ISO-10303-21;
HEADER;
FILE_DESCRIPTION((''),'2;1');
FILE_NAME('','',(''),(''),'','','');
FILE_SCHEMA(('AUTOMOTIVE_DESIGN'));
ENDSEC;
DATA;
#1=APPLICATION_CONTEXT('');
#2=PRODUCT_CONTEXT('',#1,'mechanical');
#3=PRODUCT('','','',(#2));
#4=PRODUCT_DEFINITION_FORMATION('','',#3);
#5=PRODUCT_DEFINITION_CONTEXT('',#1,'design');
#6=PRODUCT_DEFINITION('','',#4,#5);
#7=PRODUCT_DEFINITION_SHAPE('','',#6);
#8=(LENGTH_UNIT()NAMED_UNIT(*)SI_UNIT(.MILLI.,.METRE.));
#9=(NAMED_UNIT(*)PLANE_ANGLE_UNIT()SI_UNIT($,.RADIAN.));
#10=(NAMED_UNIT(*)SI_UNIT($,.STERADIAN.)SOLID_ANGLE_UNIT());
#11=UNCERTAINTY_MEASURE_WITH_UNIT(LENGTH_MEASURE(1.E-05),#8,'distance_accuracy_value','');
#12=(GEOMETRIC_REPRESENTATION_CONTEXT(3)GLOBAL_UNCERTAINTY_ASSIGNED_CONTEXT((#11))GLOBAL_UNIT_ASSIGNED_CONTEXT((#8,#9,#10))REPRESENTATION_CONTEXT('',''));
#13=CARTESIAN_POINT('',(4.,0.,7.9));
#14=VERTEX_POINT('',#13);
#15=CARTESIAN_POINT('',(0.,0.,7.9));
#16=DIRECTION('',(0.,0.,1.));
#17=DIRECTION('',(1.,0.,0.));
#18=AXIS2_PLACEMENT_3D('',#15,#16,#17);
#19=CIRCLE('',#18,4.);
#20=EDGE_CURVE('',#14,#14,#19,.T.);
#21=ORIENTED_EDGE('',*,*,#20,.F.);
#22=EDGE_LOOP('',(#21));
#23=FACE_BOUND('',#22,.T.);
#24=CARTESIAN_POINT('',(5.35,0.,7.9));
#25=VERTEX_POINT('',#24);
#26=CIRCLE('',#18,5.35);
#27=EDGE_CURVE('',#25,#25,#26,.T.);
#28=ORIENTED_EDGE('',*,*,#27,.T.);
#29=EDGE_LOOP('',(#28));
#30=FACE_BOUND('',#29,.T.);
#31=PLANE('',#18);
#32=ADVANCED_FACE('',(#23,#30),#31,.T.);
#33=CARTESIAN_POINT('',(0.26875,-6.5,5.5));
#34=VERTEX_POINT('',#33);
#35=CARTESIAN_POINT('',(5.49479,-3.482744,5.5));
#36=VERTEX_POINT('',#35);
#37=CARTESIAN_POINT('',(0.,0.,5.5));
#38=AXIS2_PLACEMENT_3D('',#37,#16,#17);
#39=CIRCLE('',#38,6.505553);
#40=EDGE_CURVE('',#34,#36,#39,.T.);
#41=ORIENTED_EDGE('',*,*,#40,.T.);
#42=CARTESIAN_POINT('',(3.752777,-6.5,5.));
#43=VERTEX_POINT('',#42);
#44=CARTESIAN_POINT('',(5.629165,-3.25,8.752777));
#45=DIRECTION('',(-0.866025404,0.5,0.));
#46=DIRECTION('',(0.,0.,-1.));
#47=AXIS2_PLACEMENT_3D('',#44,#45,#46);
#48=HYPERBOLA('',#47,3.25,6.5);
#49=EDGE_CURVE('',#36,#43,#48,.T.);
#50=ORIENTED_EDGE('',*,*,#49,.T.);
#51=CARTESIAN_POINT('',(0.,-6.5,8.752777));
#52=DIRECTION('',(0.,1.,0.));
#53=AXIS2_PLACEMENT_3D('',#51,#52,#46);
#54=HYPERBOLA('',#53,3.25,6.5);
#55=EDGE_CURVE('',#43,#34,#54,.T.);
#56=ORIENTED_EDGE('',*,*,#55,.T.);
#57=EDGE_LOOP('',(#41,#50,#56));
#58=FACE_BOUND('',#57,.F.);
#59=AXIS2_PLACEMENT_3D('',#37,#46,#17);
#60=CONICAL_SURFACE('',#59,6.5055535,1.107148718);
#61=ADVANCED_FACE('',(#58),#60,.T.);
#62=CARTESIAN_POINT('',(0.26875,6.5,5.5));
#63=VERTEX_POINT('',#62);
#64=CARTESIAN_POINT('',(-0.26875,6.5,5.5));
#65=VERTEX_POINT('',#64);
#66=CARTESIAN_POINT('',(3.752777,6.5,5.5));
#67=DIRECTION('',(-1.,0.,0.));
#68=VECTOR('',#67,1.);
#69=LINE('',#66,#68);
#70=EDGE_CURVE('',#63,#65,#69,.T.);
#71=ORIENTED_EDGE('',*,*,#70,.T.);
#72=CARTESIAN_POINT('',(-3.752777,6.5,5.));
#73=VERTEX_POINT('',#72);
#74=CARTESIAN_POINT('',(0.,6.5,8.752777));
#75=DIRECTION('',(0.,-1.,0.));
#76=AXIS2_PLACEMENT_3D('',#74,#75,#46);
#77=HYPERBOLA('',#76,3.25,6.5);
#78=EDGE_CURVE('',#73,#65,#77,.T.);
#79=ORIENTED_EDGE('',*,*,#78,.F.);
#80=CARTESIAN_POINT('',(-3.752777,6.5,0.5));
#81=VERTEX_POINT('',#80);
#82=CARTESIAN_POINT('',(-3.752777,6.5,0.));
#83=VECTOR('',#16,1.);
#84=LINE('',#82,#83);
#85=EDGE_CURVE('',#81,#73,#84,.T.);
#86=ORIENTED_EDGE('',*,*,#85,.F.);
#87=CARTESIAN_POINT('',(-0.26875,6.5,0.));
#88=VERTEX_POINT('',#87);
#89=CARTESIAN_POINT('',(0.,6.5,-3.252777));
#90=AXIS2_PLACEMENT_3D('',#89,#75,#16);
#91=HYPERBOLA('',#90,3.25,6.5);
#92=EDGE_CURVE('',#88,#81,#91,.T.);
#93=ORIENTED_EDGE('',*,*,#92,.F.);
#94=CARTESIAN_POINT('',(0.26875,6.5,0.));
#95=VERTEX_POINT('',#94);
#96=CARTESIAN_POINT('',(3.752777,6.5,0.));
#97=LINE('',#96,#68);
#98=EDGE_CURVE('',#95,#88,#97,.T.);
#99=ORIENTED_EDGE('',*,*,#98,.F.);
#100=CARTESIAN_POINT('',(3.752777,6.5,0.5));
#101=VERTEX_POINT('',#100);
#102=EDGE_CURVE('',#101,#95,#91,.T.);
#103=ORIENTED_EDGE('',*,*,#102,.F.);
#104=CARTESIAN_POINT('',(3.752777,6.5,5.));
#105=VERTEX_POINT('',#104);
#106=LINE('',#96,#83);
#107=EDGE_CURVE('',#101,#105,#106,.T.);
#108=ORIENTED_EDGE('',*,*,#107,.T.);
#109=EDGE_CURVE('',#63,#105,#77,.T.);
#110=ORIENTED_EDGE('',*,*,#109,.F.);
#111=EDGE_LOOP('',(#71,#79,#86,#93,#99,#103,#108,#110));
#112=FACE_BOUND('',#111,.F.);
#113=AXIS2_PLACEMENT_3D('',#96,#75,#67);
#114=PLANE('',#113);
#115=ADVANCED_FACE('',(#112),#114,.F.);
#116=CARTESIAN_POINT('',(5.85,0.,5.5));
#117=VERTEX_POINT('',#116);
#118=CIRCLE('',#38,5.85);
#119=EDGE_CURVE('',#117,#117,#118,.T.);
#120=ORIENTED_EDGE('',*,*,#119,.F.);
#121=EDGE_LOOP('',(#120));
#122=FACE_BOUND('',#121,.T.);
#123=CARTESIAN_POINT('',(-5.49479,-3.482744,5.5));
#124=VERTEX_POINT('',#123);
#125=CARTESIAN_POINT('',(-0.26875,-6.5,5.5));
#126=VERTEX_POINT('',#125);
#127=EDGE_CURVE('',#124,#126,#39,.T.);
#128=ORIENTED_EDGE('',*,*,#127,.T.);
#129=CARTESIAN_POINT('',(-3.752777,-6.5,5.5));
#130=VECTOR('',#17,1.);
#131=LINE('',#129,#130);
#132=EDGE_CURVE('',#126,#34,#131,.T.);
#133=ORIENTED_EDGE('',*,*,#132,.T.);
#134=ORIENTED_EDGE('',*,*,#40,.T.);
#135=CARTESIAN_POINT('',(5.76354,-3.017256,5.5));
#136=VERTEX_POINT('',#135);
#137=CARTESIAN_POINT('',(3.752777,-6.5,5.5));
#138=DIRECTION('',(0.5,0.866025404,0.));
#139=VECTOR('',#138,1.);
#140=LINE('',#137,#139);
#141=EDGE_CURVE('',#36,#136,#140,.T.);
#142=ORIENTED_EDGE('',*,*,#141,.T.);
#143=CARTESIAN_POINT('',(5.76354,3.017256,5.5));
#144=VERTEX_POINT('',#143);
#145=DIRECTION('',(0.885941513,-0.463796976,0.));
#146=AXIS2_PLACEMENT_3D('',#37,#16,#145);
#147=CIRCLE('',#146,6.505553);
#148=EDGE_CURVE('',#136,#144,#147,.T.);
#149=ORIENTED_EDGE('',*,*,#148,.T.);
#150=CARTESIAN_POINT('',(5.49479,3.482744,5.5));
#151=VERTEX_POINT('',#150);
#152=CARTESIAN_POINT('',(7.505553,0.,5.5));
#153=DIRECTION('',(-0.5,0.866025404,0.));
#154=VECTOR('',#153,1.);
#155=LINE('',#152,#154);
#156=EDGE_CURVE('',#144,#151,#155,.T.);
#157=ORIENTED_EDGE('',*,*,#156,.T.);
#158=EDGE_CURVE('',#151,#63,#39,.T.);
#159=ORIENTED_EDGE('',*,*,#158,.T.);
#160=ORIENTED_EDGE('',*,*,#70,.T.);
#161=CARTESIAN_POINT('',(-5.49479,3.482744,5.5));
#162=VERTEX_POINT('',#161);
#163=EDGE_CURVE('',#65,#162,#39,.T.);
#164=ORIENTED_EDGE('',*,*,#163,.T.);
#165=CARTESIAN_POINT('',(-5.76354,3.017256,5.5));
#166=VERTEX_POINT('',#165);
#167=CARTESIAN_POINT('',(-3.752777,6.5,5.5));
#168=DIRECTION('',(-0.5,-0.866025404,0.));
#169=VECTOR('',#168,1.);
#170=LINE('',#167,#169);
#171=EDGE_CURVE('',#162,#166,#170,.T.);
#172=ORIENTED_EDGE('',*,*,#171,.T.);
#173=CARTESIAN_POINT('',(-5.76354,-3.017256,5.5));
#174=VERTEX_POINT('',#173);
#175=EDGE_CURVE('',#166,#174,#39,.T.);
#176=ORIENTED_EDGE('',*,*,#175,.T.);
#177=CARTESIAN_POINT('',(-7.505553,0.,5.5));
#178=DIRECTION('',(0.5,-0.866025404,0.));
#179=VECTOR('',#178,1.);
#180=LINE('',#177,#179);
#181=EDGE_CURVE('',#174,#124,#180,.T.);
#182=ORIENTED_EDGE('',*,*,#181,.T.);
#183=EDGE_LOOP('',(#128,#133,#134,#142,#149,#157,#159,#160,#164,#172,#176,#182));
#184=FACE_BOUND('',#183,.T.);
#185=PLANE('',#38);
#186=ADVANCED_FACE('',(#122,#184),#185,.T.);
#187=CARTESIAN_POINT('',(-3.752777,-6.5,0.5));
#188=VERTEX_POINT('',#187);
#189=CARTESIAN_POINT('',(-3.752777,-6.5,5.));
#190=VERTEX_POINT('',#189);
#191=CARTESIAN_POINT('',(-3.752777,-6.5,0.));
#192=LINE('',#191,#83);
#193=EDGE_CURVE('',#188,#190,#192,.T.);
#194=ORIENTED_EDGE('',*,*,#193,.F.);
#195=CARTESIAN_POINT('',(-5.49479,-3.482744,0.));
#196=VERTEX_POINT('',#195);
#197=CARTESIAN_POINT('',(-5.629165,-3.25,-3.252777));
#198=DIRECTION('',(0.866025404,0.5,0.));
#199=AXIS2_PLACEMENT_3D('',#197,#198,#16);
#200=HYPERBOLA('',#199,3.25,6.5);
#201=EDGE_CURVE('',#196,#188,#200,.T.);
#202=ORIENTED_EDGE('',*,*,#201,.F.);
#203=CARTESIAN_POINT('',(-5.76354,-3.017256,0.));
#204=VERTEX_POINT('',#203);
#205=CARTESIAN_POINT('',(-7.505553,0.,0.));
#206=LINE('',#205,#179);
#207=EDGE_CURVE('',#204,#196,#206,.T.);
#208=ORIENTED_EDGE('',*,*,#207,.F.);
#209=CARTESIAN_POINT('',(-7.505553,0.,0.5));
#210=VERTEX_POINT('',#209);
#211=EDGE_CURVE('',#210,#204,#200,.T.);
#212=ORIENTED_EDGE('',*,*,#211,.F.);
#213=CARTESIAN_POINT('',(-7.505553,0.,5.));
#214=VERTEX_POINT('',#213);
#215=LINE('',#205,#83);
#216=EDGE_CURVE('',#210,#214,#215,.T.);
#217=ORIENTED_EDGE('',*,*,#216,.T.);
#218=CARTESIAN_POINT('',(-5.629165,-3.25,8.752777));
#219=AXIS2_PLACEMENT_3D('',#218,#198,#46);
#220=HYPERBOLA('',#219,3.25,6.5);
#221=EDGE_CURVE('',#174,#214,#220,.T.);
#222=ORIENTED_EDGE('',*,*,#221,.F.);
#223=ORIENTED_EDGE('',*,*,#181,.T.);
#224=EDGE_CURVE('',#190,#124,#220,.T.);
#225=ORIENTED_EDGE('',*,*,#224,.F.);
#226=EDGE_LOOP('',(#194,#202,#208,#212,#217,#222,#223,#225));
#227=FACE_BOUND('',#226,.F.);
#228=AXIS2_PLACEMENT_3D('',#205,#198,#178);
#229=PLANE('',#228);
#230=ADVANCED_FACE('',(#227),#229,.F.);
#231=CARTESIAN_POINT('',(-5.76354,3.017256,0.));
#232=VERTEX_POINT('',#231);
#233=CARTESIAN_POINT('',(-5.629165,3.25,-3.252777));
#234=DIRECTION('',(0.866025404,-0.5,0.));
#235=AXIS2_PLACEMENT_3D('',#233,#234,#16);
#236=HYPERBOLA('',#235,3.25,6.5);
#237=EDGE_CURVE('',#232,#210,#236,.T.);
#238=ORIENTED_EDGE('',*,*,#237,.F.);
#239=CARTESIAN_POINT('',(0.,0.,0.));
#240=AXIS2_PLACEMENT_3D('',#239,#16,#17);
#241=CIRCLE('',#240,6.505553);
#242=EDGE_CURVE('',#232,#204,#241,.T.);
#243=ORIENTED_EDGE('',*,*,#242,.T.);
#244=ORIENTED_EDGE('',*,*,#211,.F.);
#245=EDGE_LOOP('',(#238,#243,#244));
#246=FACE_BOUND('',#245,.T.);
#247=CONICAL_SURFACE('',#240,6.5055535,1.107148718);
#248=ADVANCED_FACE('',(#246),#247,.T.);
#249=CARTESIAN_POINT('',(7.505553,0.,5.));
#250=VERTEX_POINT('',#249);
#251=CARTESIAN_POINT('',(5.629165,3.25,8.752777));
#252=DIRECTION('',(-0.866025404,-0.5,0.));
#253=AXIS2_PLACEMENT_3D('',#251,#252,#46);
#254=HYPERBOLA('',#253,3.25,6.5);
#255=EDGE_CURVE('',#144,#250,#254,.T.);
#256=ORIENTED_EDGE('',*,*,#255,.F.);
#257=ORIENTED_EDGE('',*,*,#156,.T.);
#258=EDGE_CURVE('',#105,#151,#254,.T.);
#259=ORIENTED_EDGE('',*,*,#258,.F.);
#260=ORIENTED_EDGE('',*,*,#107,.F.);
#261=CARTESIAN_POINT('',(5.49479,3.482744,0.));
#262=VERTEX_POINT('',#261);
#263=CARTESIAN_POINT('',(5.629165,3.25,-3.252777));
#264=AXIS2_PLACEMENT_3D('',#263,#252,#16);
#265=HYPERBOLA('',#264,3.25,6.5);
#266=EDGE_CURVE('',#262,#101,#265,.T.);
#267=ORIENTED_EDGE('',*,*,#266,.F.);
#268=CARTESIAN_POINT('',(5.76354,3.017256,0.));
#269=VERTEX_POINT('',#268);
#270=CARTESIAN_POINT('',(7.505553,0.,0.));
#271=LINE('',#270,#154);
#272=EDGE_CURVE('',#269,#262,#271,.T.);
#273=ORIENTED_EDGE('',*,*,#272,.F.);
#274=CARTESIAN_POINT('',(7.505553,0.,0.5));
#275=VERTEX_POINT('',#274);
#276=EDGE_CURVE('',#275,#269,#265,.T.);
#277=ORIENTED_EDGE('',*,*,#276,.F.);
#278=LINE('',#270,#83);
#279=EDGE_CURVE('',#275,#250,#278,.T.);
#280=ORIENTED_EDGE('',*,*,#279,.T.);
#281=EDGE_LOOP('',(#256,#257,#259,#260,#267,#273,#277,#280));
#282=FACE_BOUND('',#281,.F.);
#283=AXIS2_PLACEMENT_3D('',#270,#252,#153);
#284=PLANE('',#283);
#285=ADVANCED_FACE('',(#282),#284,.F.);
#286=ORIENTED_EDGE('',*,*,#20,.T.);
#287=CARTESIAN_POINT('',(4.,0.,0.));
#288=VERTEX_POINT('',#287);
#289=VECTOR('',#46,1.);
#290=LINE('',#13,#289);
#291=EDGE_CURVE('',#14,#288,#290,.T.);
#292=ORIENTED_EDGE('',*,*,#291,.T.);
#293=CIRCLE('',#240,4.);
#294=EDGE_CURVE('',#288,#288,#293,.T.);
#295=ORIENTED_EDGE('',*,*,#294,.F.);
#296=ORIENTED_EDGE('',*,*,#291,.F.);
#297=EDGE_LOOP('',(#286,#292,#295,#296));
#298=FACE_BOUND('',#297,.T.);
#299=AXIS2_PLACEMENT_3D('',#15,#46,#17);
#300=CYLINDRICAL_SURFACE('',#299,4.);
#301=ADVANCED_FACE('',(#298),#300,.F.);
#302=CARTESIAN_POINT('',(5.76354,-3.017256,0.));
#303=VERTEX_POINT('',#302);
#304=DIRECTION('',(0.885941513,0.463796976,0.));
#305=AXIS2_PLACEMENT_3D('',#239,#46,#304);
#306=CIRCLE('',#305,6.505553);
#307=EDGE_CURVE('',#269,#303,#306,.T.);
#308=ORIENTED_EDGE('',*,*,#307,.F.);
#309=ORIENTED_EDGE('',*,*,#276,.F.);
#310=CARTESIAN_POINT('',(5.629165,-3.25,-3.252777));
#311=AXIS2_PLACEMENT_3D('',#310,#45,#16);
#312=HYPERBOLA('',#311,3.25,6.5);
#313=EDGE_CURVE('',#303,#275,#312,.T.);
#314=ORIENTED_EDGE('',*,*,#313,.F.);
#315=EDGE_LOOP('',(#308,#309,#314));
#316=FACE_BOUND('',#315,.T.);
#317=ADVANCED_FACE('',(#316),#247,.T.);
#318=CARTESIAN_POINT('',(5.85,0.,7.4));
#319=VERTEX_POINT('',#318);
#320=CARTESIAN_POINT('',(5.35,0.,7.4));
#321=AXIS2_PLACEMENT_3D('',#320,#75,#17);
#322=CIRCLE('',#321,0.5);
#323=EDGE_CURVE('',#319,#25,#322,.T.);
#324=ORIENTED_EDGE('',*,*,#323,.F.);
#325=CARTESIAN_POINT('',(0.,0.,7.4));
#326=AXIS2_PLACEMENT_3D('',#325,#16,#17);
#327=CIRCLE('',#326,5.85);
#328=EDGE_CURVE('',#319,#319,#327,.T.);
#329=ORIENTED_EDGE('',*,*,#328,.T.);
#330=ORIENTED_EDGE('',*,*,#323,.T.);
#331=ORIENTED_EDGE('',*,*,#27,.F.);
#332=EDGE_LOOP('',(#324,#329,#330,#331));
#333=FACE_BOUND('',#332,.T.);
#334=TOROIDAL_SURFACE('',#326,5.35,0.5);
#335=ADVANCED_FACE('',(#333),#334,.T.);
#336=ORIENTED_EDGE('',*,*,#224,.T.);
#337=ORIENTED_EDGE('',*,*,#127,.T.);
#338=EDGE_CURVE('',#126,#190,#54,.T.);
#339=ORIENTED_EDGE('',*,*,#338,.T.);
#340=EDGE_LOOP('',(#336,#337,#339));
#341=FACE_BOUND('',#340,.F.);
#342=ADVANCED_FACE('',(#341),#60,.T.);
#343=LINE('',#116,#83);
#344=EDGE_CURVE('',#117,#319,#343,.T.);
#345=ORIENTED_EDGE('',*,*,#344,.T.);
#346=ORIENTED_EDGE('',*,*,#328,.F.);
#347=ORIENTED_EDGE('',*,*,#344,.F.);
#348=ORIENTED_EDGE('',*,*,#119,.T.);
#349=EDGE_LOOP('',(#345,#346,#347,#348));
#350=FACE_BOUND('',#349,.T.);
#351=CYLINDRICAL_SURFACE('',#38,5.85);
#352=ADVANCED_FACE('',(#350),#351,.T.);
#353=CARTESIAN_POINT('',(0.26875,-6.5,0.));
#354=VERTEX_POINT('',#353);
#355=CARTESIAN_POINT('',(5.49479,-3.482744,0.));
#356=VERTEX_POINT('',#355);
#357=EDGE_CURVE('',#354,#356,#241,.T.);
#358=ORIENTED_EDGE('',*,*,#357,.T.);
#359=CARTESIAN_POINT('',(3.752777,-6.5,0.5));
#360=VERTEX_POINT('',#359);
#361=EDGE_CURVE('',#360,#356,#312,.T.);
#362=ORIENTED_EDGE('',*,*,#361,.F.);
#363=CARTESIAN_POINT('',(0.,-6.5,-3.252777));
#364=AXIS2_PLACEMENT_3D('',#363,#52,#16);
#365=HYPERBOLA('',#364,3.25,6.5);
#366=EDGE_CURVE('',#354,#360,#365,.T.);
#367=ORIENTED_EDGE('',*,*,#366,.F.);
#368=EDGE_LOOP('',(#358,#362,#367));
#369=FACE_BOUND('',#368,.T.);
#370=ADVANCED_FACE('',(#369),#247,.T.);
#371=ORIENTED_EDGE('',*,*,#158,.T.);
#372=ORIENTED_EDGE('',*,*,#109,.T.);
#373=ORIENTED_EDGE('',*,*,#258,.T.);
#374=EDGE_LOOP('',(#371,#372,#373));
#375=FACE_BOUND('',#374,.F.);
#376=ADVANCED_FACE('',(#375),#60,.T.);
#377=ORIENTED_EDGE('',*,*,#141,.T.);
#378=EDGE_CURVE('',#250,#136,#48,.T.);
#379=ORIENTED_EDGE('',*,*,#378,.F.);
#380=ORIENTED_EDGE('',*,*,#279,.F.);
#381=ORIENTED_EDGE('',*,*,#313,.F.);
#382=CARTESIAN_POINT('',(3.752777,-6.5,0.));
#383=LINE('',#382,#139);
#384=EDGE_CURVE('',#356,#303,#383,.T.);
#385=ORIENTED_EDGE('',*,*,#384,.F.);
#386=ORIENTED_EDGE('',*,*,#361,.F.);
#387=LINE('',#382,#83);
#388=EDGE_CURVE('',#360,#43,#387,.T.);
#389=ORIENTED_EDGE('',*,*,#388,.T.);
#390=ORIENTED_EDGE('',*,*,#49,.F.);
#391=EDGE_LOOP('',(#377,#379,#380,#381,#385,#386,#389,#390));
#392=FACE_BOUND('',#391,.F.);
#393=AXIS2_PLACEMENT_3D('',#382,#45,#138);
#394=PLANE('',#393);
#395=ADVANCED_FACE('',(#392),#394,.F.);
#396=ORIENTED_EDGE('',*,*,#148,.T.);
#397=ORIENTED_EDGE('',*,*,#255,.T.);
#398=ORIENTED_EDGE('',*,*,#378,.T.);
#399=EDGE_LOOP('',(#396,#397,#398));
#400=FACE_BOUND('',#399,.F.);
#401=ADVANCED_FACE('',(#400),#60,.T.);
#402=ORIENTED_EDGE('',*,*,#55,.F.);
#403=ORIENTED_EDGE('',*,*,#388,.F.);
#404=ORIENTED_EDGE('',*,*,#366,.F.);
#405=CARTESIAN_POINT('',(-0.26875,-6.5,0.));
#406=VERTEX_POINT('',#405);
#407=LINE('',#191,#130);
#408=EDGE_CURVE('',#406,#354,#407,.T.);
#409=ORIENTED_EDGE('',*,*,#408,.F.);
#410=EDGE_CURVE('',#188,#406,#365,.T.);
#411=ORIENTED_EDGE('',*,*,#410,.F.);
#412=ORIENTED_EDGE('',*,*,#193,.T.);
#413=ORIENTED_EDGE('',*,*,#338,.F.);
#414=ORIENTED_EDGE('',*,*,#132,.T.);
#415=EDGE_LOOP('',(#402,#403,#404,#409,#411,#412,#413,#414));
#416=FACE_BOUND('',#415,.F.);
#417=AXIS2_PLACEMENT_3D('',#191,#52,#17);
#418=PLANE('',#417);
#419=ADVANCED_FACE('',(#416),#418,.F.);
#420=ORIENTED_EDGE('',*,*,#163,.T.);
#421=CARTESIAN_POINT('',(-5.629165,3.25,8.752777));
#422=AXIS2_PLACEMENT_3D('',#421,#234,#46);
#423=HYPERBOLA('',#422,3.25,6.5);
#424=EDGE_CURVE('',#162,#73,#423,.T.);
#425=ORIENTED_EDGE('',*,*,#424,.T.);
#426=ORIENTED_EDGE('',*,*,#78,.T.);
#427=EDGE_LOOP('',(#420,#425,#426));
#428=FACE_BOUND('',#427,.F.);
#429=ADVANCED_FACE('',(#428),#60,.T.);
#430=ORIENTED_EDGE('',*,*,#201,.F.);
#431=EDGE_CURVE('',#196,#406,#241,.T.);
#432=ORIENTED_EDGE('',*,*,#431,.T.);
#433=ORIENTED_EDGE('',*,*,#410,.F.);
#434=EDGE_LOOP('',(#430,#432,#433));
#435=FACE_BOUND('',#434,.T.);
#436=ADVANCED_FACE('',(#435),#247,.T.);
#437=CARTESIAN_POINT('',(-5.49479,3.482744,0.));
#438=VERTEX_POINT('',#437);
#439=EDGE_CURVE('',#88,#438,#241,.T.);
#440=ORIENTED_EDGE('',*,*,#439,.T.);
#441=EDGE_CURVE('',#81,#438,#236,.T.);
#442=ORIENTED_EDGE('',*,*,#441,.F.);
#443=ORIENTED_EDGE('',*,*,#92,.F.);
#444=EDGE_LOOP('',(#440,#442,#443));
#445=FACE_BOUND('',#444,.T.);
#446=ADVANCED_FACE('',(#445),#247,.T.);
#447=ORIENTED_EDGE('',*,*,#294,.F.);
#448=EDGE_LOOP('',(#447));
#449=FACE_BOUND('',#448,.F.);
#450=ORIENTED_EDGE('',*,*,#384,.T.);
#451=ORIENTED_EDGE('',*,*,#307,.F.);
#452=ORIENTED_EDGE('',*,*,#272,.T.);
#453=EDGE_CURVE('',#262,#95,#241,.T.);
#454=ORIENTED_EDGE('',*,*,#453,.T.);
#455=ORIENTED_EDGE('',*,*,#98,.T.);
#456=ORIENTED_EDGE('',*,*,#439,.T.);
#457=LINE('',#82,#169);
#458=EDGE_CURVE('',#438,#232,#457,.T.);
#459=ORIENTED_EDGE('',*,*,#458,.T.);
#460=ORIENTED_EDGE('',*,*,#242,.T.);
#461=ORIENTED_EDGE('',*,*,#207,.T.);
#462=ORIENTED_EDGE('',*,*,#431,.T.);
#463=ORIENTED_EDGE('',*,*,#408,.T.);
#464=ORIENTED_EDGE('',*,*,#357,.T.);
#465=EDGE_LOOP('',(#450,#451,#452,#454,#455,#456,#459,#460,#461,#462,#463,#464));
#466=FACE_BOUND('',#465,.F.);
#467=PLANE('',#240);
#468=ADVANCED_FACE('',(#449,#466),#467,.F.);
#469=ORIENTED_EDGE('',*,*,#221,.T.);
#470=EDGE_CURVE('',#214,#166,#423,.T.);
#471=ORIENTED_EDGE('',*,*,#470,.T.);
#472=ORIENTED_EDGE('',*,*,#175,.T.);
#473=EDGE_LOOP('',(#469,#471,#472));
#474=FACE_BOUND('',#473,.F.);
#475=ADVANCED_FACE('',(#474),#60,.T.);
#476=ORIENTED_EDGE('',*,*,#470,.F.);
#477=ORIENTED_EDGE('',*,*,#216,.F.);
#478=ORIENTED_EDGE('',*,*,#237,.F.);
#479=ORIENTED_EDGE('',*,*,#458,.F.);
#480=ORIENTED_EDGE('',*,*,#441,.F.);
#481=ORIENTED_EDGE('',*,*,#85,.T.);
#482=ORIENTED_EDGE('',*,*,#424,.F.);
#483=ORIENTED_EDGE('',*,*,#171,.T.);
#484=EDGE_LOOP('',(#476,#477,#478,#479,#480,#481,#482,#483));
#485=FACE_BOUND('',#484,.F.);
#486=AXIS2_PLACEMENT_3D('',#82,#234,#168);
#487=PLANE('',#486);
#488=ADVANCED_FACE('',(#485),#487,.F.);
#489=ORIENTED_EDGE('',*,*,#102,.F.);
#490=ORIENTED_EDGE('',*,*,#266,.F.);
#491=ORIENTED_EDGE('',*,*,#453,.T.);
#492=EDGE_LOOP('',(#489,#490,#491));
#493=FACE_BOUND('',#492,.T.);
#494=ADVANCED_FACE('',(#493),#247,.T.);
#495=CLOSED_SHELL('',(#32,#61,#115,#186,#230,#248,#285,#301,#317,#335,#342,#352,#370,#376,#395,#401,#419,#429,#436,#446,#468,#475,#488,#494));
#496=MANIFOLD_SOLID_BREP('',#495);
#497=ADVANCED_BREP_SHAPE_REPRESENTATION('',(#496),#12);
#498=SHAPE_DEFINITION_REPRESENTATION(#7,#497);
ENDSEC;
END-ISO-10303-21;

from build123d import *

# Parameters (mm, degrees)
SKETCH024_R = 4
PAD_DEPTH   = 5.5


with BuildPart() as part:
    # Sketch024 → Pad (new body)
    with BuildSketch(Plane.XY):
        Polygon((7.5055534995, 0), (3.7527767497, 6.5), (-3.7527767497, 6.5), (-7.5055534995, 0), (-3.7527767497, -6.5), (3.7527767497, -6.5), align=None)
        Circle(SKETCH024_R, mode=Mode.SUBTRACT)
    extrude(amount=PAD_DEPTH)

    # Sketch025 → Revolution005 (revolve)
    with BuildSketch(Plane.XZ):
        with BuildLine():
            Line((4, 5.5), (5.85, 5.5))
            Line((5.85, 5.5), (5.85, 7.4))
            ThreePointArc((5.85, 7.4), (5.7035533906, 7.7535533906), (5.35, 7.9))
            Line((5.35, 7.9), (4, 7.9))
            Line((4, 7.9), (4, 5.5))
        make_face()
    revolve(axis=Axis((0, 0, 0), (0, 0, 1)))

    # Sketch026 → Groove (revolve, cut)
    with BuildSketch(Plane.XZ):
        Polygon((7.5055534995, 5.5), (6.5055534995, 5.5), (7.5055534995, 5), align=None)
        Polygon((7.5055534995, 0), (6.5055534995, 0), (7.5055534995, 0.5), align=None)
    revolve(axis=Axis((0, 0, 0), (0, 0, 1)), mode=Mode.SUBTRACT)


solid = part.part
